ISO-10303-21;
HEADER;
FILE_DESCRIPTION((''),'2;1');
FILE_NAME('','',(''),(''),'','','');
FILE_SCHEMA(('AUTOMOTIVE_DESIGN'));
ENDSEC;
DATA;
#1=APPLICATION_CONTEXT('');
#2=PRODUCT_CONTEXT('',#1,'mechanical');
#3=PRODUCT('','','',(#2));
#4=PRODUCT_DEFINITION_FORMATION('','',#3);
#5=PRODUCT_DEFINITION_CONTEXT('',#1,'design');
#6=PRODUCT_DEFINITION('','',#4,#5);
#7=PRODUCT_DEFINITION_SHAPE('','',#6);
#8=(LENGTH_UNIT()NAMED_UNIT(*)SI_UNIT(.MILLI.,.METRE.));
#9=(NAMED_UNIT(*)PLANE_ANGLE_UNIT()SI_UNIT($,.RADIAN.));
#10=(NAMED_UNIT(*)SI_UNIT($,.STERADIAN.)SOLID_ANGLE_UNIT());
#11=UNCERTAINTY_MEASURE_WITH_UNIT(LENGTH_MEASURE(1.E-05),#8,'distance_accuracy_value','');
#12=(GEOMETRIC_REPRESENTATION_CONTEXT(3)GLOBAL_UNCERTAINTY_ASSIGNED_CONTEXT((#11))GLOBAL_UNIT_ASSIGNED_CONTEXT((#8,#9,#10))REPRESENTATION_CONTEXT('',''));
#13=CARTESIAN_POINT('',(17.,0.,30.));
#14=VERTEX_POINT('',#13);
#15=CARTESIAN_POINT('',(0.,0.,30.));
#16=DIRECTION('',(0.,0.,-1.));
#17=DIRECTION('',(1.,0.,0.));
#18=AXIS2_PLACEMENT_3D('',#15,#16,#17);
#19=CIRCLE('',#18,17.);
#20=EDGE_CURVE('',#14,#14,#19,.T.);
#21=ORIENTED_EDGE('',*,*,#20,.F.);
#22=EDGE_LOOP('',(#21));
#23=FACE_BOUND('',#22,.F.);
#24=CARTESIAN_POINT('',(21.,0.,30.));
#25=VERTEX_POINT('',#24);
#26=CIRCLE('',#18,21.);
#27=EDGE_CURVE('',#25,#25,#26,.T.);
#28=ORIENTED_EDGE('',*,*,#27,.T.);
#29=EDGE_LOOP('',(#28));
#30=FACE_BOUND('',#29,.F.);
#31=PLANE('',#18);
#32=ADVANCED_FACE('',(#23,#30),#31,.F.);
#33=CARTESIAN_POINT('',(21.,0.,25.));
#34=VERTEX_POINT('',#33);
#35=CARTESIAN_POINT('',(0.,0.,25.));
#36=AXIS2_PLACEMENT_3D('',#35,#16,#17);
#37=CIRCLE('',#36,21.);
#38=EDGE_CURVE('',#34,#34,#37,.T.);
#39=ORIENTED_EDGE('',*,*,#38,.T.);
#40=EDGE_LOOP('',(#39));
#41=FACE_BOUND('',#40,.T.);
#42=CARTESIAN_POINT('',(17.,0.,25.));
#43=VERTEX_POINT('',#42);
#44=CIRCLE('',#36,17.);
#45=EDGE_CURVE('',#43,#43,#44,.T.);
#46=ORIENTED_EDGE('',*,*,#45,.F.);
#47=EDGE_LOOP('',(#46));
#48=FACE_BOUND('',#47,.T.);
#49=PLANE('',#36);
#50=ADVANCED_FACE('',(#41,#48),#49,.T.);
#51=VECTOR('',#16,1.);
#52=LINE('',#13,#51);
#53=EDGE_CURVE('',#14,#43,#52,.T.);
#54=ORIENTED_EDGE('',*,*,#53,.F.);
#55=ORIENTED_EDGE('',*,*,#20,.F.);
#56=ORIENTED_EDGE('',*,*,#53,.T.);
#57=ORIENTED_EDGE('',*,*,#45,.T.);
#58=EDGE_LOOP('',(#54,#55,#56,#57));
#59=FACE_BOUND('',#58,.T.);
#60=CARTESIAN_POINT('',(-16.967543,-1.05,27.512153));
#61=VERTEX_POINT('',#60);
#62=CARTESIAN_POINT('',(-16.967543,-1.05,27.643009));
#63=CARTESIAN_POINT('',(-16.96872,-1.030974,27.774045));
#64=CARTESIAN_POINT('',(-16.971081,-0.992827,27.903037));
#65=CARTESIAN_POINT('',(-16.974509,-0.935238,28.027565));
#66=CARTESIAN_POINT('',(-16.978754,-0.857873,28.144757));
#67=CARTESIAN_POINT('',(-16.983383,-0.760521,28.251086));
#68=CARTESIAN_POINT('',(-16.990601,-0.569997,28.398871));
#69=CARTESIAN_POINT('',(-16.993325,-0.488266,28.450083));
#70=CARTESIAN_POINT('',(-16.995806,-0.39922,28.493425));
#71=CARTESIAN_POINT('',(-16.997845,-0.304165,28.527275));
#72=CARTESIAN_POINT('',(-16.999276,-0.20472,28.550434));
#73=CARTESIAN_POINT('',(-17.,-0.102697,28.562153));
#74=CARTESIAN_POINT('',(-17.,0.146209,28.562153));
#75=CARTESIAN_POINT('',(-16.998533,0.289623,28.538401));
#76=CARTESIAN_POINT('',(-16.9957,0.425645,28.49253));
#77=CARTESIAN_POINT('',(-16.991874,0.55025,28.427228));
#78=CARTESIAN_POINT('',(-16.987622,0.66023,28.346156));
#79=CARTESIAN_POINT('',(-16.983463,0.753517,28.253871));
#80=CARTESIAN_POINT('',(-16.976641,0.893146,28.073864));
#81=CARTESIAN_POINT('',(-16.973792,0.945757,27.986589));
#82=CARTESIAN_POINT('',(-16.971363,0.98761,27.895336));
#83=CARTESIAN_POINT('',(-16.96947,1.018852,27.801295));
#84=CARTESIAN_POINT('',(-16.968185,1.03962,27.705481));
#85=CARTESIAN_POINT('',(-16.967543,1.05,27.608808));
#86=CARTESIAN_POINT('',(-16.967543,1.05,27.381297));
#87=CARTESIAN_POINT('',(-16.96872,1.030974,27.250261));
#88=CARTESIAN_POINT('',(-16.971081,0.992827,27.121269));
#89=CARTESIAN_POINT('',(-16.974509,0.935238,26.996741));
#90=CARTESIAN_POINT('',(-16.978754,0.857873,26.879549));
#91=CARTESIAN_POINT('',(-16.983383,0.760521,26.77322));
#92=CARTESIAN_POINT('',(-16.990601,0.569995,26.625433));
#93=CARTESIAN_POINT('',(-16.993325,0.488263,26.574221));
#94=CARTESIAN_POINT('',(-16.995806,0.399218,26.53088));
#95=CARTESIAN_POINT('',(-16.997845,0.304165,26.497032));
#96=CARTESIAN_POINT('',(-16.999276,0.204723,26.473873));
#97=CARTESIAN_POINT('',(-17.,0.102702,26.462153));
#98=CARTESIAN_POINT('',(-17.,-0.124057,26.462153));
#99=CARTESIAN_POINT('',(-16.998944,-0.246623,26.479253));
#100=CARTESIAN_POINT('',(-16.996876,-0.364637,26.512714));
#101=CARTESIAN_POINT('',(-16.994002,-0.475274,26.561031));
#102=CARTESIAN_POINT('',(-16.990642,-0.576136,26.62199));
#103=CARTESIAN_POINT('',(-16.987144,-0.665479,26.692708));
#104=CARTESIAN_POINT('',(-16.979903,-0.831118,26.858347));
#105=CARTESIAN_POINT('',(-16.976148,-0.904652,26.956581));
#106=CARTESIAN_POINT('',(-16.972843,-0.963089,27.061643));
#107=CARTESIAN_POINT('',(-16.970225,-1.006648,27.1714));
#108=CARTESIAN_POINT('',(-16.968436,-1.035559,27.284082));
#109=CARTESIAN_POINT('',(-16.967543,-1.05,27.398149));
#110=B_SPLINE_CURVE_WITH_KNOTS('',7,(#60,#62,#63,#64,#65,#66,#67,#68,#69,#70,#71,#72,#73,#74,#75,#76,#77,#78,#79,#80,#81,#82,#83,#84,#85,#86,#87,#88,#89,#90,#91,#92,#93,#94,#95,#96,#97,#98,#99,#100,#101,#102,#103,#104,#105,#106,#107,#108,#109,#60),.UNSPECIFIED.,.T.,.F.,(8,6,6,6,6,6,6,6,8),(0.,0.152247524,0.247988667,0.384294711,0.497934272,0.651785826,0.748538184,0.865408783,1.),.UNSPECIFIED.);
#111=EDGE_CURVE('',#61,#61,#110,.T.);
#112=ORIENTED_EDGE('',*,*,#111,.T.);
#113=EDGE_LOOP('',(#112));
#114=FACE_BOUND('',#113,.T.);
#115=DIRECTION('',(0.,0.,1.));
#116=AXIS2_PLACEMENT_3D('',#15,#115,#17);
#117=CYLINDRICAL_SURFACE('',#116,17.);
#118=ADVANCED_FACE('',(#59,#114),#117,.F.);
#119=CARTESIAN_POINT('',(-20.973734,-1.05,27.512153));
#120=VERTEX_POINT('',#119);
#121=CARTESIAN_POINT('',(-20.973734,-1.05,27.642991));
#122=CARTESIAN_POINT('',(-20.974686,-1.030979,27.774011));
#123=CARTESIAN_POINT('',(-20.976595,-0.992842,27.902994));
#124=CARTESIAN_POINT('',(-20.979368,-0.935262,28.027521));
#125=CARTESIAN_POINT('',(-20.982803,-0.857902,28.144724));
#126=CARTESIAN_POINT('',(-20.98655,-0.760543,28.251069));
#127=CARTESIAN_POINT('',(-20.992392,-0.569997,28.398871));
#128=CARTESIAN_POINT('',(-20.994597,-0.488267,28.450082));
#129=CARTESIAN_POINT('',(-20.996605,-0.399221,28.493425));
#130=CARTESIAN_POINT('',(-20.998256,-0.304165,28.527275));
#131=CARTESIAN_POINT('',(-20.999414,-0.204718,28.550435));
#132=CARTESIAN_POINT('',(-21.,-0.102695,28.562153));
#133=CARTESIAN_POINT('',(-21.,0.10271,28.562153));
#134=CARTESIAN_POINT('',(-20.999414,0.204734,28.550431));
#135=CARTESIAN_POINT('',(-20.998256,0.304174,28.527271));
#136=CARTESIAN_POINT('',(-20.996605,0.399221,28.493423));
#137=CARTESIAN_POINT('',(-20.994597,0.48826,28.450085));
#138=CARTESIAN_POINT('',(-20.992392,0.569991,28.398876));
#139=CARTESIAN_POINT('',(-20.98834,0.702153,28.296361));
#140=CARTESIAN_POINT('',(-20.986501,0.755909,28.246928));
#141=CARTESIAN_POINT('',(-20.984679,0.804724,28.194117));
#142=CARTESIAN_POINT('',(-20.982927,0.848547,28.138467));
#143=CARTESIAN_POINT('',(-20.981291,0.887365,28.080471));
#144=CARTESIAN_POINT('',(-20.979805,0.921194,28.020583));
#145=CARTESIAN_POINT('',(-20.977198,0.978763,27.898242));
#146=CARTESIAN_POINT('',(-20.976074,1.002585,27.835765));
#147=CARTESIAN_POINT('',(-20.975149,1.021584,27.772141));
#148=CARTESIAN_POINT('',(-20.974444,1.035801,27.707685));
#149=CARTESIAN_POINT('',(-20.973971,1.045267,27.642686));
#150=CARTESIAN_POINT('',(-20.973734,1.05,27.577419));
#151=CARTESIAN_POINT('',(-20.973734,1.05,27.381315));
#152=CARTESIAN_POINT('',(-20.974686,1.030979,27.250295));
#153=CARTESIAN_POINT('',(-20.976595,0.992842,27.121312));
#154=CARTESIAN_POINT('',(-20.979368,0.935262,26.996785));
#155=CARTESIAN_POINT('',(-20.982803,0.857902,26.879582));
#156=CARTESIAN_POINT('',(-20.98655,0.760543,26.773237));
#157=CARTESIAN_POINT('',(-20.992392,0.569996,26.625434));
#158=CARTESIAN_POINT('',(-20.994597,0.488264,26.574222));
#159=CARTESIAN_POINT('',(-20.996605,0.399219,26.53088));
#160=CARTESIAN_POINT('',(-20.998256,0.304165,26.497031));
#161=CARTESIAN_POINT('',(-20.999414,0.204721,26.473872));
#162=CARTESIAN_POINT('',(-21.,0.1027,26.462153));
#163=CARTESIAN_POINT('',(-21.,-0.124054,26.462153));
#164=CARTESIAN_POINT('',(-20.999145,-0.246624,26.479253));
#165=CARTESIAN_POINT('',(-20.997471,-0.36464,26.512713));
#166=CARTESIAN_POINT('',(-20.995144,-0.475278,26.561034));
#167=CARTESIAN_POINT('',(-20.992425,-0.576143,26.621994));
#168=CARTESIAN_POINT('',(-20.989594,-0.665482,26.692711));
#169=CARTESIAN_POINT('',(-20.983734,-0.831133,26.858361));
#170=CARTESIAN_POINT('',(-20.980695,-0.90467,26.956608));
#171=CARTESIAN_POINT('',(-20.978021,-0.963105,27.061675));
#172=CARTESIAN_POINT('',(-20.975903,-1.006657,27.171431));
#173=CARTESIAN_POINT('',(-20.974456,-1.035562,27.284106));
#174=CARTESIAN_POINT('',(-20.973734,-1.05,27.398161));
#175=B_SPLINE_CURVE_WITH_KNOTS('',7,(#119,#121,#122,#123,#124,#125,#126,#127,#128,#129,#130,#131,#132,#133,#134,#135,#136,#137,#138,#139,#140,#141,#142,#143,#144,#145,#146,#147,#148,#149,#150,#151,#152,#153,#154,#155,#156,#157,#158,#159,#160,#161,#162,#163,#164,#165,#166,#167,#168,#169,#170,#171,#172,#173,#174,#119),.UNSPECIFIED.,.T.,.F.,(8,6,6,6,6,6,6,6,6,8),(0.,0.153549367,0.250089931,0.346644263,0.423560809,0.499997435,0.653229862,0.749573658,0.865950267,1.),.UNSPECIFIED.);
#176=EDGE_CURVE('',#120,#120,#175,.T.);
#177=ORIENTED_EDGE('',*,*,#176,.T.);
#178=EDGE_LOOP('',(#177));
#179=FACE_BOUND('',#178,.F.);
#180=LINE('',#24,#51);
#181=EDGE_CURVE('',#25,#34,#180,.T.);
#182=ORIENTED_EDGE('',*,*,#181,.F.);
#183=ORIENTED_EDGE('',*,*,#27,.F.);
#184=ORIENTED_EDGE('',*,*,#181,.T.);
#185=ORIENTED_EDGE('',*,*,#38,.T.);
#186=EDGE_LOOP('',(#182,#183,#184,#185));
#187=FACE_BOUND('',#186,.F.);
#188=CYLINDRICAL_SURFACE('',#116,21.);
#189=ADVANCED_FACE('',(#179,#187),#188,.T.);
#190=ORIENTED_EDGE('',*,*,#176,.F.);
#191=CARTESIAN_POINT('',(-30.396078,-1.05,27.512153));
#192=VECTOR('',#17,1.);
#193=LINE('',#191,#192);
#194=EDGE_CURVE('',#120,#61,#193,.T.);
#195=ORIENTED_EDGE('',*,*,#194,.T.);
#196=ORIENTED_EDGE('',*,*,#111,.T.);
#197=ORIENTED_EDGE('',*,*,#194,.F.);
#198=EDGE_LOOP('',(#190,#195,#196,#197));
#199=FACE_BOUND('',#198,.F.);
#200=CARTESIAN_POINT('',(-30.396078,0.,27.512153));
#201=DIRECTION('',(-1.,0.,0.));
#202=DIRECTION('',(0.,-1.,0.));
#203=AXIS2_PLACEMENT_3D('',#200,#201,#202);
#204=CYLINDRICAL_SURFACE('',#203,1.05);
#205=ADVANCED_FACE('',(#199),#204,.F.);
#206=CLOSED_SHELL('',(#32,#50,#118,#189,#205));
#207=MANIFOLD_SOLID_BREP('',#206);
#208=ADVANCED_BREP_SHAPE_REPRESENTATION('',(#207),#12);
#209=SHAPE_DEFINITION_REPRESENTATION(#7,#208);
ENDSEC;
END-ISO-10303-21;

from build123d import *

# Parameters (mm, degrees)
SKETCH007_R      = 1.05
EXTRUDE008_DEPTH = 30
SKETCH003_R      = 21
SKETCH003_R_2    = 17
EXTRUDE003_DEPTH = 5


with BuildPart() as extrude008:
    # Sketch007 → Extrude008 (new body)
    with BuildSketch(Plane(origin=(-30.396078, 0, 0), x_dir=(0, -1, 0), z_dir=(-1, 0, 0))):
        with Locations((0, 27.512153)):
            Circle(SKETCH007_R)
    extrude(amount=-EXTRUDE008_DEPTH)


with BuildPart() as cut002:
    # Sketch003 (on Face321 of involutegear) → Extrude003 (new body)
    with BuildSketch(Plane(origin=(0, 0, 30), x_dir=(1, 0, 0), z_dir=(0, 0, -1))):
        Circle(SKETCH003_R)
        Circle(SKETCH003_R_2, mode=Mode.SUBTRACT)
    extrude(amount=EXTRUDE003_DEPTH)

    # Cut002: cut Extrude008
    add(extrude008.part, mode=Mode.SUBTRACT)


solid = cut002.part
